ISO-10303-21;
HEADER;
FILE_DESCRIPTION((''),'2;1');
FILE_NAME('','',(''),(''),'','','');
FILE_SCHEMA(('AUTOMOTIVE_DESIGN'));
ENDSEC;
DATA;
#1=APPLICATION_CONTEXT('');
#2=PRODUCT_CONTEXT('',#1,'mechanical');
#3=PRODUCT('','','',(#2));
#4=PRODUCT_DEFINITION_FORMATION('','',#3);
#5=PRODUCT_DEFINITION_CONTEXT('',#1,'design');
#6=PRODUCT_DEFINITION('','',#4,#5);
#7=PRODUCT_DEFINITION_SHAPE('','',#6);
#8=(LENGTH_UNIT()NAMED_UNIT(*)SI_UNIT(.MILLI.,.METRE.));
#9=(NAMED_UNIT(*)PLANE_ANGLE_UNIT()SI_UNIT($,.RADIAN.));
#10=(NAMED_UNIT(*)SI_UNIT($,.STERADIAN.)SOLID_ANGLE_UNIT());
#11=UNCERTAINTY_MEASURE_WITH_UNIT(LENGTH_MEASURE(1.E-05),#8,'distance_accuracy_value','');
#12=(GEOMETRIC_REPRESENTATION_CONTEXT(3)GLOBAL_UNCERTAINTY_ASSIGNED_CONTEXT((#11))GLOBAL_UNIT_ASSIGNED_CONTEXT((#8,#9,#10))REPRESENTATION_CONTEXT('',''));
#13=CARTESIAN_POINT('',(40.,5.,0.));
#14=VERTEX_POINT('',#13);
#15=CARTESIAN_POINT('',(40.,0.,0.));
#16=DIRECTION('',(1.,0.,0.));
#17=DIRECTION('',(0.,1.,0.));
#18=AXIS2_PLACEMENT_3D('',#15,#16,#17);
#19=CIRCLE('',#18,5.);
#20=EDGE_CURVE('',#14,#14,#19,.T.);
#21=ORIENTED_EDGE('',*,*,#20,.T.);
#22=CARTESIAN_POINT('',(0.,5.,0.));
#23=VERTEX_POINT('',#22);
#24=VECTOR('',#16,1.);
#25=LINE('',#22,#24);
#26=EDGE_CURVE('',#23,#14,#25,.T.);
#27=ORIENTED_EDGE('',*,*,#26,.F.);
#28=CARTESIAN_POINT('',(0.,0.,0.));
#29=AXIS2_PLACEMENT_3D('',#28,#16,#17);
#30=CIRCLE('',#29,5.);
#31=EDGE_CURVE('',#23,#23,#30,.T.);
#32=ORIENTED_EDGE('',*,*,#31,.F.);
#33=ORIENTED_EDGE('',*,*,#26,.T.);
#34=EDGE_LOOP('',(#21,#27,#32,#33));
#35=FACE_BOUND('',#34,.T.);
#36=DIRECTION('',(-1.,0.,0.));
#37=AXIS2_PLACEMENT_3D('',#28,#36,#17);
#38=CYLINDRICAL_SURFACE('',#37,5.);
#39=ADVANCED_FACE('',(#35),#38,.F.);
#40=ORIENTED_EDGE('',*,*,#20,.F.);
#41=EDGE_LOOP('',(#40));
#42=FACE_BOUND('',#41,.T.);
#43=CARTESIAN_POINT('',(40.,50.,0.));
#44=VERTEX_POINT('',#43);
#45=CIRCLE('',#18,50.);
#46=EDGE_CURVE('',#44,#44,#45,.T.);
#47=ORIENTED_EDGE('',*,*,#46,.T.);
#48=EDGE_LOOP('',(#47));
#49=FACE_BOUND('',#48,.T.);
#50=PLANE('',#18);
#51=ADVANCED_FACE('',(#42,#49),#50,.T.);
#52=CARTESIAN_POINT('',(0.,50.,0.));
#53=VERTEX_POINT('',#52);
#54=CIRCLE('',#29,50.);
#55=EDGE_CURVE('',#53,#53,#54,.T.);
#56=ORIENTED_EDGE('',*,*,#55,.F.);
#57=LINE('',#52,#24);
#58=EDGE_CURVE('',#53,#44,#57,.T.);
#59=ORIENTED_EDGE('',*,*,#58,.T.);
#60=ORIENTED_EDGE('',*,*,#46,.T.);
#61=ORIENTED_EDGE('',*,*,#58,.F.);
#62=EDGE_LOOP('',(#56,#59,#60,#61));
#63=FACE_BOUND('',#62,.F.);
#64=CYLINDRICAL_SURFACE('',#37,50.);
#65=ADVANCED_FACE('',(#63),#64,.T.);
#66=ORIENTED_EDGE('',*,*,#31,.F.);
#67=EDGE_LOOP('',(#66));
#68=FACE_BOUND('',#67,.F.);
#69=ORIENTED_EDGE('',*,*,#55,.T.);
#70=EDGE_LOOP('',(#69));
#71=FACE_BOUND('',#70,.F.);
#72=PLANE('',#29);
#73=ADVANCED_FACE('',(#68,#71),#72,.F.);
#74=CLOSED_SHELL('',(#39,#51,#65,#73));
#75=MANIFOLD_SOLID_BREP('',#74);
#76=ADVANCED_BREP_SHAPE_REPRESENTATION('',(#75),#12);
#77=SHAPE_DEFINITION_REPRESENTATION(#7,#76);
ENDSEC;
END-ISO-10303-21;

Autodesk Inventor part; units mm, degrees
ref_plane "YZ Plane" through (0, 0, 0) normal (1, 0, 0) x (0, 1, 0)
ref_plane "XZ Plane" through (0, 0, 0) normal (0, 1, 0) x (-1, 0, 0)
ref_plane "XY Plane" through (0, 0, 0) normal (0, 0, 1) x (1, 0, 0)
sketch "Эскиз1" plane through (0, 0, 0) normal (1, 0, 0) x (0, 1, 0)
  circle A0 centre (0, 0) radius 5
  circle A1 centre (0, 0) radius 50
  dimension "d2" = 10
  dimension "d3" = 100
extrude "Выдавливание1" add sketch "Эскиз1" along normal blind 40
sketch "Эскиз2" plane through (0, 0, 0) normal (-1, 0, 0) x (0, 0, 1)
  circle A0 centre (0, 0) radius 34.3349
  circle A1 centre (0, 0) radius 50 projected
  circle A2 centre (0, 0) radius 5 projected
  circle A3 centre (0, 28.7128) radius 4.1781
  circle A4 centre (24.4962, 0) radius 4.2688
  circle A5 centre (0, -24.0946) radius 4.726
  circle A6 centre (-24.0946, 0) radius 4.2877
  circle A7 centre (-20.89, -2.8486) radius 0.1294
properties part number "вшакькьькьк"
